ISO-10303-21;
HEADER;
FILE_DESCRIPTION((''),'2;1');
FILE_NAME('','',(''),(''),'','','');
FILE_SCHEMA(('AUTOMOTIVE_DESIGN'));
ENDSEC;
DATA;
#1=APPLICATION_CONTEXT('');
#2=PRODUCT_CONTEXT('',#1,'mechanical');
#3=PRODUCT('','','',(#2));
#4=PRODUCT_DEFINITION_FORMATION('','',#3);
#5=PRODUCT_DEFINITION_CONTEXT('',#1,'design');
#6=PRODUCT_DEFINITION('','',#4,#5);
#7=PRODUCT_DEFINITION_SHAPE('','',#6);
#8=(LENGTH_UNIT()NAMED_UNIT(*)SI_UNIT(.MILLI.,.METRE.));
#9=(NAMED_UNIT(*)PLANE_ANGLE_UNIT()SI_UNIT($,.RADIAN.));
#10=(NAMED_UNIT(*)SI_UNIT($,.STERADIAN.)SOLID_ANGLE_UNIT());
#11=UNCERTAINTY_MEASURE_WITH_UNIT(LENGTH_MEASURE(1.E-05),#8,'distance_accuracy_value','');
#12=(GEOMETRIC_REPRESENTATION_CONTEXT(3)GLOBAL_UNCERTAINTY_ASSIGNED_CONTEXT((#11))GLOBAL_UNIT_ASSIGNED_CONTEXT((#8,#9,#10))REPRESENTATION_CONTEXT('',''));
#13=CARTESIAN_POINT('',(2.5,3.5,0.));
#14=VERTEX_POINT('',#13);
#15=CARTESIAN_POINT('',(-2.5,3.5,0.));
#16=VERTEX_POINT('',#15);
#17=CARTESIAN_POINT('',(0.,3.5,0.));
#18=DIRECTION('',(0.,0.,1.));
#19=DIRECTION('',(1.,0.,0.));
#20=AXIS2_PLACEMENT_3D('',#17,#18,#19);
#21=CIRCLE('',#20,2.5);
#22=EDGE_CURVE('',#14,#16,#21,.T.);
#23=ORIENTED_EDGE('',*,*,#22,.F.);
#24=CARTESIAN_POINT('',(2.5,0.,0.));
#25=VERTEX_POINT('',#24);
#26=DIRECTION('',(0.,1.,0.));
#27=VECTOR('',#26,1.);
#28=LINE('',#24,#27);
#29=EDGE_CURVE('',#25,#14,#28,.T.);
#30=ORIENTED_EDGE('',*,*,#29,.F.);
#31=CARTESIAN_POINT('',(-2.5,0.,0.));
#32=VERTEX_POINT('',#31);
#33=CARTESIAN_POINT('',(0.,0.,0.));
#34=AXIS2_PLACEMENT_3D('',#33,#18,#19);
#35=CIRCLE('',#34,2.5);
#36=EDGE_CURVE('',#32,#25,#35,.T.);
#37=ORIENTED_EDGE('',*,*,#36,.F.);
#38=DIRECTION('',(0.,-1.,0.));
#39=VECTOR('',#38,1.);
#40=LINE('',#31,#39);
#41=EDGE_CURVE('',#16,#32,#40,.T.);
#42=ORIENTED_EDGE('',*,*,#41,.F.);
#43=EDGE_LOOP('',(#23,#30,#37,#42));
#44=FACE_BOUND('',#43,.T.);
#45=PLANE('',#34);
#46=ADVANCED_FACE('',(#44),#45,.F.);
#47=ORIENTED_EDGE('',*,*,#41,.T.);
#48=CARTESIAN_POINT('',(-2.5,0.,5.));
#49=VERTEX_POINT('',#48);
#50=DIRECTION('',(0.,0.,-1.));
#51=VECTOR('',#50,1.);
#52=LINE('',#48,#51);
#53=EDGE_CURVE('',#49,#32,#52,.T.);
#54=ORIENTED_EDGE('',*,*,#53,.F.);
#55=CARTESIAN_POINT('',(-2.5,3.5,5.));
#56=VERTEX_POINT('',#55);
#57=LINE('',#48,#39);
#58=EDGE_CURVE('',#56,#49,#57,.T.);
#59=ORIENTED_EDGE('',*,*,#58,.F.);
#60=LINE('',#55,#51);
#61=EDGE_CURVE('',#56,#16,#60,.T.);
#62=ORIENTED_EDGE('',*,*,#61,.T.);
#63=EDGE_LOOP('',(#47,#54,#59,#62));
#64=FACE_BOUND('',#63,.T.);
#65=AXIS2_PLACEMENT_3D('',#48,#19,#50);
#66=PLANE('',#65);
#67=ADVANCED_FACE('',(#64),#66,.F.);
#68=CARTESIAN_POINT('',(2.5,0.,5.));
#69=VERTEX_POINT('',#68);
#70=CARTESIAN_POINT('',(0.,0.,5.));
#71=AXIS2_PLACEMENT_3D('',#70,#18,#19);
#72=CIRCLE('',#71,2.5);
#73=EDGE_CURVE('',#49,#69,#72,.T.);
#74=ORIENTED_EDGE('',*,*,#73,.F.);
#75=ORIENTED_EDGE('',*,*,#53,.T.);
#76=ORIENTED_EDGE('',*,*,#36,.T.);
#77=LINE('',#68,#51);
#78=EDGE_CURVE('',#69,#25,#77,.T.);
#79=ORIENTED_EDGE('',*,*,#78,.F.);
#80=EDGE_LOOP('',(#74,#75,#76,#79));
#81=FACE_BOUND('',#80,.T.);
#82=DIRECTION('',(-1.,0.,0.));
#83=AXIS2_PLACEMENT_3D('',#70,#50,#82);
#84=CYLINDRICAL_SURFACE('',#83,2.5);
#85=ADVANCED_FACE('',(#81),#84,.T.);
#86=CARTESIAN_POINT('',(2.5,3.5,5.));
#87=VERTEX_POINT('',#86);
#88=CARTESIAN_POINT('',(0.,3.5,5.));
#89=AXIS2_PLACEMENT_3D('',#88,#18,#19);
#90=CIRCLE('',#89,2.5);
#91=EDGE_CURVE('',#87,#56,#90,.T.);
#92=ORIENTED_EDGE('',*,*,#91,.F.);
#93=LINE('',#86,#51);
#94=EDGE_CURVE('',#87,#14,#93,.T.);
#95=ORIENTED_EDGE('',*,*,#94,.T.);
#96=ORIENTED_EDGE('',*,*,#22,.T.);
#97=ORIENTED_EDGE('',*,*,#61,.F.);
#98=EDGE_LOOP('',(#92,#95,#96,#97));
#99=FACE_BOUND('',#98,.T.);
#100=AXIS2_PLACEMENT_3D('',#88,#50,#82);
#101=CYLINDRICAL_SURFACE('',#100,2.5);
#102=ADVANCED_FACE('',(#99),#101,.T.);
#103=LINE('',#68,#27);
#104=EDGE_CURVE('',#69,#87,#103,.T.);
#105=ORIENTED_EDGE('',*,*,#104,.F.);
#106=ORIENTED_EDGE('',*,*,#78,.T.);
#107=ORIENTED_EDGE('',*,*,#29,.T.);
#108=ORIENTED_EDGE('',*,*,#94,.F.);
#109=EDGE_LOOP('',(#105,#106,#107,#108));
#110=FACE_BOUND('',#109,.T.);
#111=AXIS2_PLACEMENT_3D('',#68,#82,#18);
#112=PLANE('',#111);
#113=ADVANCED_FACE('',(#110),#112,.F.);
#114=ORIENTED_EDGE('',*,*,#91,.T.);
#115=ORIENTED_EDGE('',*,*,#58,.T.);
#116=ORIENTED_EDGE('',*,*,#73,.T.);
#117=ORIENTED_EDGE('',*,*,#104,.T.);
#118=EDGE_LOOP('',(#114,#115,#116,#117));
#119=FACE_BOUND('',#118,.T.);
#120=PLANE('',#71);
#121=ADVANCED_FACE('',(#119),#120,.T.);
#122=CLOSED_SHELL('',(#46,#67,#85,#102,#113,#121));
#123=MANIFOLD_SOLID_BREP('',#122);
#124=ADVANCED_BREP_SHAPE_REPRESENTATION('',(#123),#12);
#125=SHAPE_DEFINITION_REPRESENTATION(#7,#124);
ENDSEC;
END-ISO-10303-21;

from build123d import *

# Parameters (mm, degrees)
DODANIE_WYCI_GNI_CIE1_DEPTH = 5


with BuildPart() as part:
    # Szkic1 → Dodanie-wyciągnięcie1 (new body)
    with BuildSketch(Plane.XY):
        with BuildLine():
            Line((-2.5, 0), (-2.5, 3.5))
            ThreePointArc((-2.5, 3.5), (0, 6), (2.5, 3.5))
            Line((2.5, 3.5), (2.5, 0))
            ThreePointArc((2.5, 0), (0, -2.5), (-2.5, 0))
        make_face()
    extrude(amount=DODANIE_WYCI_GNI_CIE1_DEPTH)


solid = part.part
